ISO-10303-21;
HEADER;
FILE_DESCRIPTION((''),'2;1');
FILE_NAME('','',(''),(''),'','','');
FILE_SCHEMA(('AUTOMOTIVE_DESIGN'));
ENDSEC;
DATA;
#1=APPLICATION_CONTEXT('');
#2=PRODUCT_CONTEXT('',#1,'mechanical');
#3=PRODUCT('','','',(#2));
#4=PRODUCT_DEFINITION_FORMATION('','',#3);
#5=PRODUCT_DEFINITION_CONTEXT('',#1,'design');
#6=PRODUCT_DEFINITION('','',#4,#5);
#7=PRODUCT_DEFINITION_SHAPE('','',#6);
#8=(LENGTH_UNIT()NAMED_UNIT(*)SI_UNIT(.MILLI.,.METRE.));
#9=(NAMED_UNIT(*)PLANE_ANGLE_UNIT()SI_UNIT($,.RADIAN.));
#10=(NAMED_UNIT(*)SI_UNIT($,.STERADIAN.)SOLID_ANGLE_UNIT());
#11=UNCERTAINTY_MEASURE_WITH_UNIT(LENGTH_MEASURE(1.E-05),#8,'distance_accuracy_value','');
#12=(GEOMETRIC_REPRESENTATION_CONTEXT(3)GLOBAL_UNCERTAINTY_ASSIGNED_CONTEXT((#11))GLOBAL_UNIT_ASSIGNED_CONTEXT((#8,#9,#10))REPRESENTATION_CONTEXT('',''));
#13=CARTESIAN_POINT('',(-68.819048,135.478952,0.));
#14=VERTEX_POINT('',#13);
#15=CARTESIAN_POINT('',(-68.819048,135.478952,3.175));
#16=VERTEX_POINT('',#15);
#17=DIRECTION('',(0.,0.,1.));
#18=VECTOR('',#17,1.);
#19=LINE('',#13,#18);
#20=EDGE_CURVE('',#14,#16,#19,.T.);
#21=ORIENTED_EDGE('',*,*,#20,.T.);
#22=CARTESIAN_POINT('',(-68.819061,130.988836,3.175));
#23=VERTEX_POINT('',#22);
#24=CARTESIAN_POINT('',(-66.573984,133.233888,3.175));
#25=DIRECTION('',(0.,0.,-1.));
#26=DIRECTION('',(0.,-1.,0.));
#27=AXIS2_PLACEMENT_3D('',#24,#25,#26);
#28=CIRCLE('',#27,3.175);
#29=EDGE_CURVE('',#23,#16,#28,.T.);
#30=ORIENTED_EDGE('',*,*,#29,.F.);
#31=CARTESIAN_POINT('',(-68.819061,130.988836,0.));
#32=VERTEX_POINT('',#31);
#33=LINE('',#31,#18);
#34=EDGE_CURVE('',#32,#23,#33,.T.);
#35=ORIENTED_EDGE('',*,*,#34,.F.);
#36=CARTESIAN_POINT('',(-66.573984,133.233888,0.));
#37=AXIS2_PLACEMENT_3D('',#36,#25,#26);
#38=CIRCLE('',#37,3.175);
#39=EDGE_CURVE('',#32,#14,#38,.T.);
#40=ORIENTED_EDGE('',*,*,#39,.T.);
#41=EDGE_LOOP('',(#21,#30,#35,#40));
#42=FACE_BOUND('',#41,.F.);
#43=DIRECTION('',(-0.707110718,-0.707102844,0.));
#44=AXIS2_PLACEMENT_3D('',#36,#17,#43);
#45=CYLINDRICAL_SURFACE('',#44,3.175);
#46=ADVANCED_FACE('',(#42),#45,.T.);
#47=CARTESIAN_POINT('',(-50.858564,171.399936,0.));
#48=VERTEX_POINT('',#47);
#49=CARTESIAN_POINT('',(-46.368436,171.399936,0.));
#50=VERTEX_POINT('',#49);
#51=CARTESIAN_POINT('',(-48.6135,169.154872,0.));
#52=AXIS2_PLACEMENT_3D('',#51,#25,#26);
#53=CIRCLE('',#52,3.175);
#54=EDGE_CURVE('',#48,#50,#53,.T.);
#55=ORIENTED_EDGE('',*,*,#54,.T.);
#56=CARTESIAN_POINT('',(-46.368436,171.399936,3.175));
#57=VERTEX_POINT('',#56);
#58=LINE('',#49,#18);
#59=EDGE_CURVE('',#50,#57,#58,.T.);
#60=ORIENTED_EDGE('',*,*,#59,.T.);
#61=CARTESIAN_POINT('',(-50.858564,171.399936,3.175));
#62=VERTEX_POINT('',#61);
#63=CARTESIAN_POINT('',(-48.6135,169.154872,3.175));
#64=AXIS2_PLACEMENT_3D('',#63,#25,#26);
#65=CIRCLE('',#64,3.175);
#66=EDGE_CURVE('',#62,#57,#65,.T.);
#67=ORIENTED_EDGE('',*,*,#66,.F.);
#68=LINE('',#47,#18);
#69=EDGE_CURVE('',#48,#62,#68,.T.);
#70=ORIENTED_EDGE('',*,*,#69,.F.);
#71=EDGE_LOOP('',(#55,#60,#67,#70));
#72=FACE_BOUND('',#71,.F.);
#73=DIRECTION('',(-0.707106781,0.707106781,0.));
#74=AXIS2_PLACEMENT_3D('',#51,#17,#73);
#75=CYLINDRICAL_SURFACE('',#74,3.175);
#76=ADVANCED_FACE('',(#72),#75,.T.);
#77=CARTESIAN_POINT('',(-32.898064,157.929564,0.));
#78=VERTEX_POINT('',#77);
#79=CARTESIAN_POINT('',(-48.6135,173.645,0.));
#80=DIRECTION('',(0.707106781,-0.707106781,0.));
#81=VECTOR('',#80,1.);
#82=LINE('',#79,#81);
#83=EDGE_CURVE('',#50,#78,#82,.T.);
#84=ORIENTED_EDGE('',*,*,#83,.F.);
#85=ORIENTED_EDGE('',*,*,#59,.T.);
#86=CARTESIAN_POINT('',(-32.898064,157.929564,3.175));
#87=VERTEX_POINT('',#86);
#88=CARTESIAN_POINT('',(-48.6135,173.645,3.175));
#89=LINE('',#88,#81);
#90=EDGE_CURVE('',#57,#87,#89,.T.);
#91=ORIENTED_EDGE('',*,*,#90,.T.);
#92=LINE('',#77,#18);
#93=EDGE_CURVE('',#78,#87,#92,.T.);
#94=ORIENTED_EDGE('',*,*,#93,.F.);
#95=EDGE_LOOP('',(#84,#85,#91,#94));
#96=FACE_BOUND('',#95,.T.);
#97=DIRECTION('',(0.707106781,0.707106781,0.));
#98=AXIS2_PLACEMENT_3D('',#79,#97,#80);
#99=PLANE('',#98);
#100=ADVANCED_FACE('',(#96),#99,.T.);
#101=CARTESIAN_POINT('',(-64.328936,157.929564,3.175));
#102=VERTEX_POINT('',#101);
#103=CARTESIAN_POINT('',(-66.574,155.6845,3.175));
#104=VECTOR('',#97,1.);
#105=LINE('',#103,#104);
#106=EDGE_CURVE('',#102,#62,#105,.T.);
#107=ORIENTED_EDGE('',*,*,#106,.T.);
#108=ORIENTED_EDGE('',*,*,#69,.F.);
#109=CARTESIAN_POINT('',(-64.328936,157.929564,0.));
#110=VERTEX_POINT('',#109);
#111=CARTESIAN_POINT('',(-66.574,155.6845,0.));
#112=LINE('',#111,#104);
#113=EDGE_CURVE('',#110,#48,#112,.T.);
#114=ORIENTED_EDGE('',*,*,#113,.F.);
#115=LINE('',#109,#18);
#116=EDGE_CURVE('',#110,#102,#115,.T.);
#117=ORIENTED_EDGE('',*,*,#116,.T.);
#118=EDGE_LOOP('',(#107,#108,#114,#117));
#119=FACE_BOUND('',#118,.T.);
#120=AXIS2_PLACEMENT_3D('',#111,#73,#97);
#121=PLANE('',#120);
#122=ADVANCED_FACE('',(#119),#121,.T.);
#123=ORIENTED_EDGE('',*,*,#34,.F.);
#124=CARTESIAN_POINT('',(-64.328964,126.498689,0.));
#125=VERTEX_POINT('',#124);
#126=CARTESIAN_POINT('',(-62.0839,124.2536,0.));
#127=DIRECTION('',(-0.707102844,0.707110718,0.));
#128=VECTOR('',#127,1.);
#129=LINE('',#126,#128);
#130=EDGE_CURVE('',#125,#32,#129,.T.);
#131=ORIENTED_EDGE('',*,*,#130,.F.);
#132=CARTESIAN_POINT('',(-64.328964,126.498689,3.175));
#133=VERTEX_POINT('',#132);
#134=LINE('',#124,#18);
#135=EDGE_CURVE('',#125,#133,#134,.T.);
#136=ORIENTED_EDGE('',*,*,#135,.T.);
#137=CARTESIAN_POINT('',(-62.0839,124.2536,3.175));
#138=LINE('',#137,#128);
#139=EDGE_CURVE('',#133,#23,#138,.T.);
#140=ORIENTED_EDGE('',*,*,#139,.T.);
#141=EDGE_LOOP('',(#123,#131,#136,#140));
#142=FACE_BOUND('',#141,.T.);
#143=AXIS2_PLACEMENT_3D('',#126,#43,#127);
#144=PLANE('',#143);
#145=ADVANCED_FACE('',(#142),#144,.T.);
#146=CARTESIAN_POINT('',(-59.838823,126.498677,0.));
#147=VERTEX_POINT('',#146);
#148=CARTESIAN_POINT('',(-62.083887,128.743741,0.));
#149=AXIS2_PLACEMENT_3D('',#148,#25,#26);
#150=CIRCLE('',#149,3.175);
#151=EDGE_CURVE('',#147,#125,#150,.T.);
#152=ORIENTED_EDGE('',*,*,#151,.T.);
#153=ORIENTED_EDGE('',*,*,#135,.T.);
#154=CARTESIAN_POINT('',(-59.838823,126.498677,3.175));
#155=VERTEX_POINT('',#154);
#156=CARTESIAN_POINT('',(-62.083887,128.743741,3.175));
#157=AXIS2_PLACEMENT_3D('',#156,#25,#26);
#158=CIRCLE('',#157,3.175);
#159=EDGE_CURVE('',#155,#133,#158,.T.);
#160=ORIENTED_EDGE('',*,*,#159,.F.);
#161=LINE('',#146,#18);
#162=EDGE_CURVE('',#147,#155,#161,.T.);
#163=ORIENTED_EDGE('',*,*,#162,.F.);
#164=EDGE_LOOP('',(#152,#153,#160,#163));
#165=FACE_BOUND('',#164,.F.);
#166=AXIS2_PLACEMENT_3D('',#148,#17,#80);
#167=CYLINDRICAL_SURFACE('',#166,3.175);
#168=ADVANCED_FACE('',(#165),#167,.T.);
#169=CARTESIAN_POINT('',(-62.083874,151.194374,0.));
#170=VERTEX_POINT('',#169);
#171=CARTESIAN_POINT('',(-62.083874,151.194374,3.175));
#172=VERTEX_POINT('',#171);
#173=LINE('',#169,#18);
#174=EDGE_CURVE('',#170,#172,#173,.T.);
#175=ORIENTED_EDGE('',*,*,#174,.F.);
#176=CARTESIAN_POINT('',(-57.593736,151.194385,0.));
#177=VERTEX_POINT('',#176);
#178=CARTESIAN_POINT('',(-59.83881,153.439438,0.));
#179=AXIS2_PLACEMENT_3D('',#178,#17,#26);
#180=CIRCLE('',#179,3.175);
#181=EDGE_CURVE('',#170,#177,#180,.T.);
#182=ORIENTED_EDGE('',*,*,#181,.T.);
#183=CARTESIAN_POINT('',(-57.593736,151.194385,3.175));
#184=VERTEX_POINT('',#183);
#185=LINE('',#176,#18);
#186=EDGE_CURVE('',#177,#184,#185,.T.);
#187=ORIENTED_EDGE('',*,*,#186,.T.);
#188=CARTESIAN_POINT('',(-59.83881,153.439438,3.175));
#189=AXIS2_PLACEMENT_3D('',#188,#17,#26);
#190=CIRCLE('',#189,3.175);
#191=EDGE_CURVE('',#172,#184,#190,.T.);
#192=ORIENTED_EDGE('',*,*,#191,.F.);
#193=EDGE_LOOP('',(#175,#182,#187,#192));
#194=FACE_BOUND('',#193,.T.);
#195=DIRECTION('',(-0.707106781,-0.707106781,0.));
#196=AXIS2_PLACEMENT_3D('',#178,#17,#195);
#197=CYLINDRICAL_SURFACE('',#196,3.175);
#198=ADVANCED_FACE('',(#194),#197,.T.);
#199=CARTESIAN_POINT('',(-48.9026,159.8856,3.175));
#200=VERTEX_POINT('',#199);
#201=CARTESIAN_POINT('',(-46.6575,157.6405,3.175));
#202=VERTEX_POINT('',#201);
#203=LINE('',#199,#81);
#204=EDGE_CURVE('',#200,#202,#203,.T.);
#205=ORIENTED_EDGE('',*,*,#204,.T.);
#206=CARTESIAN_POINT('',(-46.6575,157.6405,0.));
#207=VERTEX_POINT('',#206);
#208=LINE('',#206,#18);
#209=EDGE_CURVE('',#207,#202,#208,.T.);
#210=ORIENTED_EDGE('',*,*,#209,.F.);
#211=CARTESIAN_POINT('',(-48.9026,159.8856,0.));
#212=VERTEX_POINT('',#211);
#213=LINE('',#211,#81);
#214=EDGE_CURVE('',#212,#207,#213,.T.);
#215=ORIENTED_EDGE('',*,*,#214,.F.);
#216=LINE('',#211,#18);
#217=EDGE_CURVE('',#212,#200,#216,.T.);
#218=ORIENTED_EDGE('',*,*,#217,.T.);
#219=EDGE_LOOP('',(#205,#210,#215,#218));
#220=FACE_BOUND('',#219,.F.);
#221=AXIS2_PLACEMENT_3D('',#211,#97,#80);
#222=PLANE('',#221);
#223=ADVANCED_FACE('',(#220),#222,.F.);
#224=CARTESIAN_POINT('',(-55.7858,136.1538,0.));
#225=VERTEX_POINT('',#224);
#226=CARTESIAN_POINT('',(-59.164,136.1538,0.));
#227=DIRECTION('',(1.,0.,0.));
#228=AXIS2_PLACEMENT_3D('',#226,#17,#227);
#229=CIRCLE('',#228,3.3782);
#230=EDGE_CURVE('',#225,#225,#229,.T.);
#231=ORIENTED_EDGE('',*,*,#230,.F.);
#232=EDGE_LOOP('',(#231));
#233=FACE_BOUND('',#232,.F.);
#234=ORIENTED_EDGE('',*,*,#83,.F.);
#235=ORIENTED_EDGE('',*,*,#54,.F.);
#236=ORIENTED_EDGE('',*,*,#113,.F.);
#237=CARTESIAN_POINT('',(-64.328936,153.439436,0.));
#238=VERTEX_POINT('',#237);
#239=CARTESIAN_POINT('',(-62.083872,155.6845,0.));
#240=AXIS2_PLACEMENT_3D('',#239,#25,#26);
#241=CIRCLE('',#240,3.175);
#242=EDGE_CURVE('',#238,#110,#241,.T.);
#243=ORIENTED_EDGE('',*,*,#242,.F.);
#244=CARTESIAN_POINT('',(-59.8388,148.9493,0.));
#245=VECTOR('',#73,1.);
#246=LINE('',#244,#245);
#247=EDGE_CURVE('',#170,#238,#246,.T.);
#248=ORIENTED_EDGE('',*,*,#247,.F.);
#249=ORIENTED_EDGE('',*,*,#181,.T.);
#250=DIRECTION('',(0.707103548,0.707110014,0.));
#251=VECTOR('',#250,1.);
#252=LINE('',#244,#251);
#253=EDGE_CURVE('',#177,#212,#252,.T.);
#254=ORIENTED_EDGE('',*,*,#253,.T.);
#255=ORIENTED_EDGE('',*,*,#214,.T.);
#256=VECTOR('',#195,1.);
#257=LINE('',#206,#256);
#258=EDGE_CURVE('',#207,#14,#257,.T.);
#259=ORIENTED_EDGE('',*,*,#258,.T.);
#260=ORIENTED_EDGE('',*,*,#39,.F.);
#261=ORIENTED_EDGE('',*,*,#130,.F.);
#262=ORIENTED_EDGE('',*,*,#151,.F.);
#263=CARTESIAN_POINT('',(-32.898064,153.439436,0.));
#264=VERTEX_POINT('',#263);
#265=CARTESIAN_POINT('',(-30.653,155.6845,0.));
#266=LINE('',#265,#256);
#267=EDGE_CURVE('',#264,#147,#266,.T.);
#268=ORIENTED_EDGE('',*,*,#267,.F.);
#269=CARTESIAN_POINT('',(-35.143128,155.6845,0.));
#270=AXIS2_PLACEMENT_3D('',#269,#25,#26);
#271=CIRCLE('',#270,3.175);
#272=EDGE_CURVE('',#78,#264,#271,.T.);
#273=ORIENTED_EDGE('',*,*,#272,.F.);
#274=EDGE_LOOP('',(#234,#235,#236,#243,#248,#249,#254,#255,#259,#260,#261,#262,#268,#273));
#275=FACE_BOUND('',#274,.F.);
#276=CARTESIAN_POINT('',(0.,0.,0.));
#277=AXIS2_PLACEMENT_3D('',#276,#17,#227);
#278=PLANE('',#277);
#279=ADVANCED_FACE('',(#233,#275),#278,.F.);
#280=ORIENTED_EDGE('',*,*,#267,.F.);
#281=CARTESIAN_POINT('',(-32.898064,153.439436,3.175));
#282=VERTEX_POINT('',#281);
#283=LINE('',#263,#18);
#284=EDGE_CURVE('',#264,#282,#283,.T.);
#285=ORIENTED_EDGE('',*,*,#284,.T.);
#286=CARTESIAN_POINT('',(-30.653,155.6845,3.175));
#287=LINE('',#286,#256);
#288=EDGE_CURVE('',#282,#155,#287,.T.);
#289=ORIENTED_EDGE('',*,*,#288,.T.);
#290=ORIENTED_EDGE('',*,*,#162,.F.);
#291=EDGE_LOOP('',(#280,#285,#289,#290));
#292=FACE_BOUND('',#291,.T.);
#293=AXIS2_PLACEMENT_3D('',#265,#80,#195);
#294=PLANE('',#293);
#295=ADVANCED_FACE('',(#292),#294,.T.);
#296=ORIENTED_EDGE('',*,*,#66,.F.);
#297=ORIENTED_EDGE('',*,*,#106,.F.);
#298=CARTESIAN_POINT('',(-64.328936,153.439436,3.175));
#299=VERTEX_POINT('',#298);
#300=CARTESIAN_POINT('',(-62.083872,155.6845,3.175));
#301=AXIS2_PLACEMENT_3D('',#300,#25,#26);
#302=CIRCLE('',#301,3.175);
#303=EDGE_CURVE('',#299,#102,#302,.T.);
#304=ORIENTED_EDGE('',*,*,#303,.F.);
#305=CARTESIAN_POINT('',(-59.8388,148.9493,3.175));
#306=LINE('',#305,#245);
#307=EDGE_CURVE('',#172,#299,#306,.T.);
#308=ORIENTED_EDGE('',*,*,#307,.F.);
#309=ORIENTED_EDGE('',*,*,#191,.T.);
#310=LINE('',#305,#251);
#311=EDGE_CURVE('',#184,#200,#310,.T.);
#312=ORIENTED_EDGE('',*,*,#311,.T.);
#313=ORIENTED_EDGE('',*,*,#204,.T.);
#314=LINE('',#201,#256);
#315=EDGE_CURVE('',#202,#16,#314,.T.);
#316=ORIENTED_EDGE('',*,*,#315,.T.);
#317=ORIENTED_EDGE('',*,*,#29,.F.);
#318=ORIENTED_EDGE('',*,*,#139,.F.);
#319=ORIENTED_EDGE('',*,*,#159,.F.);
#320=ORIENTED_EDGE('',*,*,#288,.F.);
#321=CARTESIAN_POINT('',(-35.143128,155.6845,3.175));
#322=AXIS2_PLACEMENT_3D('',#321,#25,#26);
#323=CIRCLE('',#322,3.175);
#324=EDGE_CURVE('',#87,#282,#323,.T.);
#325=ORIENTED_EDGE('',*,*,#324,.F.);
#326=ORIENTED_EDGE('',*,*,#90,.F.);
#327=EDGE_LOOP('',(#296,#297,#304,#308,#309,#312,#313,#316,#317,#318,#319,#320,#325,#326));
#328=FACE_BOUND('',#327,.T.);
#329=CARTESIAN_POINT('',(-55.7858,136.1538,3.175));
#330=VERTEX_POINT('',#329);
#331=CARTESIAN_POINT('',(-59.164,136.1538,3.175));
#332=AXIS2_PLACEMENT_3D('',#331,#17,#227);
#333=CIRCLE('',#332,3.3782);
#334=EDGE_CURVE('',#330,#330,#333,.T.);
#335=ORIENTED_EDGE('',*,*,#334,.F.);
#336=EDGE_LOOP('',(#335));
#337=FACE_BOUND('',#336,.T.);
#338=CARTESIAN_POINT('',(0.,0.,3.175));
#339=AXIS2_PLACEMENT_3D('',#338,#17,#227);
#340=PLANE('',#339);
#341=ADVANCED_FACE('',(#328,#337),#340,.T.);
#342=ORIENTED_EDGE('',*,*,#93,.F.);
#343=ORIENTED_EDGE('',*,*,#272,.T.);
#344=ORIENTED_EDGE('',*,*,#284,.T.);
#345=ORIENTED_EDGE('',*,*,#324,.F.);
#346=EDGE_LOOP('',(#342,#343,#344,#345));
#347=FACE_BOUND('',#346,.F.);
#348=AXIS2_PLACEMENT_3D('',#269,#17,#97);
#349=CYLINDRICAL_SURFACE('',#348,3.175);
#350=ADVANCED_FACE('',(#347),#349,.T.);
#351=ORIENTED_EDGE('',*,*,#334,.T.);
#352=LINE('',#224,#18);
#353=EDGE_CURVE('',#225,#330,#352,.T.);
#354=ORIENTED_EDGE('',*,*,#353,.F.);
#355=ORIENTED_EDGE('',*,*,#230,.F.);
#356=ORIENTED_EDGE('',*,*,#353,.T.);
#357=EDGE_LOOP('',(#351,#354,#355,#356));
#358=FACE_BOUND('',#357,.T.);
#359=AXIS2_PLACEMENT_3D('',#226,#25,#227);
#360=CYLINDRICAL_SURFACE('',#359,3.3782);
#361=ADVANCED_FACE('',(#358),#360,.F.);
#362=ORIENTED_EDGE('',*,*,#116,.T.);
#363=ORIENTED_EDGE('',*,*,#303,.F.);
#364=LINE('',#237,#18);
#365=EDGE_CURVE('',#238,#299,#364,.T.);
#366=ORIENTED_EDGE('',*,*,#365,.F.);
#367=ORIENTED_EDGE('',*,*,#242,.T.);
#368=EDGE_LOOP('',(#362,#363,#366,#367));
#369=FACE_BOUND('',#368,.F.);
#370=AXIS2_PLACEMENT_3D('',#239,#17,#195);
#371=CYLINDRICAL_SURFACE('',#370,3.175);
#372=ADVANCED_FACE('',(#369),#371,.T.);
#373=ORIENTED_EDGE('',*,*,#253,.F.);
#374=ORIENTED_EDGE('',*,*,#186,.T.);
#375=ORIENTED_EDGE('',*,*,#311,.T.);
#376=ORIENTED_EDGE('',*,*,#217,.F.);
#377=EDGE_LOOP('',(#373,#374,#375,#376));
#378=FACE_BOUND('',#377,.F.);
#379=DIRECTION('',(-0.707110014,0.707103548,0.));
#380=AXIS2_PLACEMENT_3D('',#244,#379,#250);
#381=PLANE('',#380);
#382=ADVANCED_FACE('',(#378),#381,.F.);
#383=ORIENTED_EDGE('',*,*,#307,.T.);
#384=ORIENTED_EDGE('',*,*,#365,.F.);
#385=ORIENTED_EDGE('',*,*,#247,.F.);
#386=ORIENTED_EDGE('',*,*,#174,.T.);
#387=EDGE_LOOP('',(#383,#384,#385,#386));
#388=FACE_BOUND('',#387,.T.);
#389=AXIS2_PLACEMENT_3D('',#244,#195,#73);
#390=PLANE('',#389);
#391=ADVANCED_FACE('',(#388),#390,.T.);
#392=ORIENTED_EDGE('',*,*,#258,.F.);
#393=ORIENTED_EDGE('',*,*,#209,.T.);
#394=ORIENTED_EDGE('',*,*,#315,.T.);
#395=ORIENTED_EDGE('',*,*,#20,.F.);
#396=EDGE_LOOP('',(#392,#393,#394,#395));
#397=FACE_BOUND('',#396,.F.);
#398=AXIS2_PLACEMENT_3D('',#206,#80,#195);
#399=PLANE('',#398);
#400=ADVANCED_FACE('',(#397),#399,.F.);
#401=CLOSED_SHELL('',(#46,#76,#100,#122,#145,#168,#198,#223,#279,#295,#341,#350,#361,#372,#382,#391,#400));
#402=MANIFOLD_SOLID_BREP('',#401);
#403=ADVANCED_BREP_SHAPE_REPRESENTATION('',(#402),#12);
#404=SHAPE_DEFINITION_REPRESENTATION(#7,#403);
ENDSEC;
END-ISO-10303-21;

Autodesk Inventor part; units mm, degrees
ref_plane "YZ Plane" through (0, 0, 0) normal (1, 0, 0) x (0, 1, 0)
ref_plane "XZ Plane" through (0, 0, 0) normal (0, 1, 0) x (-1, 0, 0)
ref_plane "XY Plane" through (0, 0, 0) normal (0, 0, 1) x (1, 0, 0)
sketch "Sketch1" plane through (0, 0, 0) normal (0, 0, 1) x (1, 0, 0)
  line L0 (-53.3927, 155.3954) -> (-51.1476, 153.1504) construction
  line L1 (-53.3927, 155.3954) -> (-73.3092, 135.4789) construction
  line L2 (-73.3092, 135.4789) -> (-71.0641, 133.2339) construction
  line L3 (-71.0641, 133.2339) -> (-51.1476, 153.1504) construction
  line L4 (-46.6575, 157.6405) -> (-51.1476, 153.1504) construction
  line L5 (-46.6575, 157.6405) -> (-48.9026, 159.8856) construction
  line L6 (-53.3927, 155.3954) -> (-48.9026, 159.8856) construction
  line L7 (-59.8388, 148.9493) -> (-66.574, 155.6845)
  line L8 (-66.574, 155.6845) -> (-48.6135, 173.645)
  line L9 (-48.6135, 173.645) -> (-30.653, 155.6845)
  line L10 (-30.653, 155.6845) -> (-62.0839, 124.2536)
  line L11 (-62.0839, 124.2536) -> (-71.0641, 133.2339)
  line L12 (-59.8388, 148.9493) -> (-48.9026, 159.8856)
  line L13 (-48.9026, 159.8856) -> (-46.6575, 157.6405)
  line L14 (-46.6575, 157.6405) -> (-71.0641, 133.2339)
  circle A0 centre (-59.164, 136.1538) radius 3.3782 projected
  point P0 (0, 0)
  dimension "d7" = 44.45
  dimension "d8" = 25.4
  dimension "d9" = 25.4
  dimension "d10" = 12.7
extrude "Extrusion1" add sketch "Sketch1" along normal blind 3.175
fillet "Fillet1" radius 3.175 6 edges at (-62.0839, 124.2536, 1.5875) (-59.8388, 148.9493, 1.5875) (-66.574, 155.6845, 1.5875) (-71.0641, 133.2339, 1.5875) (-48.6135, 173.645, 1.5875) (-30.653, 155.6845, 1.5875)
properties part number "V5 Conveyor Plate Bracket P3" material "Aluminum-6061"
